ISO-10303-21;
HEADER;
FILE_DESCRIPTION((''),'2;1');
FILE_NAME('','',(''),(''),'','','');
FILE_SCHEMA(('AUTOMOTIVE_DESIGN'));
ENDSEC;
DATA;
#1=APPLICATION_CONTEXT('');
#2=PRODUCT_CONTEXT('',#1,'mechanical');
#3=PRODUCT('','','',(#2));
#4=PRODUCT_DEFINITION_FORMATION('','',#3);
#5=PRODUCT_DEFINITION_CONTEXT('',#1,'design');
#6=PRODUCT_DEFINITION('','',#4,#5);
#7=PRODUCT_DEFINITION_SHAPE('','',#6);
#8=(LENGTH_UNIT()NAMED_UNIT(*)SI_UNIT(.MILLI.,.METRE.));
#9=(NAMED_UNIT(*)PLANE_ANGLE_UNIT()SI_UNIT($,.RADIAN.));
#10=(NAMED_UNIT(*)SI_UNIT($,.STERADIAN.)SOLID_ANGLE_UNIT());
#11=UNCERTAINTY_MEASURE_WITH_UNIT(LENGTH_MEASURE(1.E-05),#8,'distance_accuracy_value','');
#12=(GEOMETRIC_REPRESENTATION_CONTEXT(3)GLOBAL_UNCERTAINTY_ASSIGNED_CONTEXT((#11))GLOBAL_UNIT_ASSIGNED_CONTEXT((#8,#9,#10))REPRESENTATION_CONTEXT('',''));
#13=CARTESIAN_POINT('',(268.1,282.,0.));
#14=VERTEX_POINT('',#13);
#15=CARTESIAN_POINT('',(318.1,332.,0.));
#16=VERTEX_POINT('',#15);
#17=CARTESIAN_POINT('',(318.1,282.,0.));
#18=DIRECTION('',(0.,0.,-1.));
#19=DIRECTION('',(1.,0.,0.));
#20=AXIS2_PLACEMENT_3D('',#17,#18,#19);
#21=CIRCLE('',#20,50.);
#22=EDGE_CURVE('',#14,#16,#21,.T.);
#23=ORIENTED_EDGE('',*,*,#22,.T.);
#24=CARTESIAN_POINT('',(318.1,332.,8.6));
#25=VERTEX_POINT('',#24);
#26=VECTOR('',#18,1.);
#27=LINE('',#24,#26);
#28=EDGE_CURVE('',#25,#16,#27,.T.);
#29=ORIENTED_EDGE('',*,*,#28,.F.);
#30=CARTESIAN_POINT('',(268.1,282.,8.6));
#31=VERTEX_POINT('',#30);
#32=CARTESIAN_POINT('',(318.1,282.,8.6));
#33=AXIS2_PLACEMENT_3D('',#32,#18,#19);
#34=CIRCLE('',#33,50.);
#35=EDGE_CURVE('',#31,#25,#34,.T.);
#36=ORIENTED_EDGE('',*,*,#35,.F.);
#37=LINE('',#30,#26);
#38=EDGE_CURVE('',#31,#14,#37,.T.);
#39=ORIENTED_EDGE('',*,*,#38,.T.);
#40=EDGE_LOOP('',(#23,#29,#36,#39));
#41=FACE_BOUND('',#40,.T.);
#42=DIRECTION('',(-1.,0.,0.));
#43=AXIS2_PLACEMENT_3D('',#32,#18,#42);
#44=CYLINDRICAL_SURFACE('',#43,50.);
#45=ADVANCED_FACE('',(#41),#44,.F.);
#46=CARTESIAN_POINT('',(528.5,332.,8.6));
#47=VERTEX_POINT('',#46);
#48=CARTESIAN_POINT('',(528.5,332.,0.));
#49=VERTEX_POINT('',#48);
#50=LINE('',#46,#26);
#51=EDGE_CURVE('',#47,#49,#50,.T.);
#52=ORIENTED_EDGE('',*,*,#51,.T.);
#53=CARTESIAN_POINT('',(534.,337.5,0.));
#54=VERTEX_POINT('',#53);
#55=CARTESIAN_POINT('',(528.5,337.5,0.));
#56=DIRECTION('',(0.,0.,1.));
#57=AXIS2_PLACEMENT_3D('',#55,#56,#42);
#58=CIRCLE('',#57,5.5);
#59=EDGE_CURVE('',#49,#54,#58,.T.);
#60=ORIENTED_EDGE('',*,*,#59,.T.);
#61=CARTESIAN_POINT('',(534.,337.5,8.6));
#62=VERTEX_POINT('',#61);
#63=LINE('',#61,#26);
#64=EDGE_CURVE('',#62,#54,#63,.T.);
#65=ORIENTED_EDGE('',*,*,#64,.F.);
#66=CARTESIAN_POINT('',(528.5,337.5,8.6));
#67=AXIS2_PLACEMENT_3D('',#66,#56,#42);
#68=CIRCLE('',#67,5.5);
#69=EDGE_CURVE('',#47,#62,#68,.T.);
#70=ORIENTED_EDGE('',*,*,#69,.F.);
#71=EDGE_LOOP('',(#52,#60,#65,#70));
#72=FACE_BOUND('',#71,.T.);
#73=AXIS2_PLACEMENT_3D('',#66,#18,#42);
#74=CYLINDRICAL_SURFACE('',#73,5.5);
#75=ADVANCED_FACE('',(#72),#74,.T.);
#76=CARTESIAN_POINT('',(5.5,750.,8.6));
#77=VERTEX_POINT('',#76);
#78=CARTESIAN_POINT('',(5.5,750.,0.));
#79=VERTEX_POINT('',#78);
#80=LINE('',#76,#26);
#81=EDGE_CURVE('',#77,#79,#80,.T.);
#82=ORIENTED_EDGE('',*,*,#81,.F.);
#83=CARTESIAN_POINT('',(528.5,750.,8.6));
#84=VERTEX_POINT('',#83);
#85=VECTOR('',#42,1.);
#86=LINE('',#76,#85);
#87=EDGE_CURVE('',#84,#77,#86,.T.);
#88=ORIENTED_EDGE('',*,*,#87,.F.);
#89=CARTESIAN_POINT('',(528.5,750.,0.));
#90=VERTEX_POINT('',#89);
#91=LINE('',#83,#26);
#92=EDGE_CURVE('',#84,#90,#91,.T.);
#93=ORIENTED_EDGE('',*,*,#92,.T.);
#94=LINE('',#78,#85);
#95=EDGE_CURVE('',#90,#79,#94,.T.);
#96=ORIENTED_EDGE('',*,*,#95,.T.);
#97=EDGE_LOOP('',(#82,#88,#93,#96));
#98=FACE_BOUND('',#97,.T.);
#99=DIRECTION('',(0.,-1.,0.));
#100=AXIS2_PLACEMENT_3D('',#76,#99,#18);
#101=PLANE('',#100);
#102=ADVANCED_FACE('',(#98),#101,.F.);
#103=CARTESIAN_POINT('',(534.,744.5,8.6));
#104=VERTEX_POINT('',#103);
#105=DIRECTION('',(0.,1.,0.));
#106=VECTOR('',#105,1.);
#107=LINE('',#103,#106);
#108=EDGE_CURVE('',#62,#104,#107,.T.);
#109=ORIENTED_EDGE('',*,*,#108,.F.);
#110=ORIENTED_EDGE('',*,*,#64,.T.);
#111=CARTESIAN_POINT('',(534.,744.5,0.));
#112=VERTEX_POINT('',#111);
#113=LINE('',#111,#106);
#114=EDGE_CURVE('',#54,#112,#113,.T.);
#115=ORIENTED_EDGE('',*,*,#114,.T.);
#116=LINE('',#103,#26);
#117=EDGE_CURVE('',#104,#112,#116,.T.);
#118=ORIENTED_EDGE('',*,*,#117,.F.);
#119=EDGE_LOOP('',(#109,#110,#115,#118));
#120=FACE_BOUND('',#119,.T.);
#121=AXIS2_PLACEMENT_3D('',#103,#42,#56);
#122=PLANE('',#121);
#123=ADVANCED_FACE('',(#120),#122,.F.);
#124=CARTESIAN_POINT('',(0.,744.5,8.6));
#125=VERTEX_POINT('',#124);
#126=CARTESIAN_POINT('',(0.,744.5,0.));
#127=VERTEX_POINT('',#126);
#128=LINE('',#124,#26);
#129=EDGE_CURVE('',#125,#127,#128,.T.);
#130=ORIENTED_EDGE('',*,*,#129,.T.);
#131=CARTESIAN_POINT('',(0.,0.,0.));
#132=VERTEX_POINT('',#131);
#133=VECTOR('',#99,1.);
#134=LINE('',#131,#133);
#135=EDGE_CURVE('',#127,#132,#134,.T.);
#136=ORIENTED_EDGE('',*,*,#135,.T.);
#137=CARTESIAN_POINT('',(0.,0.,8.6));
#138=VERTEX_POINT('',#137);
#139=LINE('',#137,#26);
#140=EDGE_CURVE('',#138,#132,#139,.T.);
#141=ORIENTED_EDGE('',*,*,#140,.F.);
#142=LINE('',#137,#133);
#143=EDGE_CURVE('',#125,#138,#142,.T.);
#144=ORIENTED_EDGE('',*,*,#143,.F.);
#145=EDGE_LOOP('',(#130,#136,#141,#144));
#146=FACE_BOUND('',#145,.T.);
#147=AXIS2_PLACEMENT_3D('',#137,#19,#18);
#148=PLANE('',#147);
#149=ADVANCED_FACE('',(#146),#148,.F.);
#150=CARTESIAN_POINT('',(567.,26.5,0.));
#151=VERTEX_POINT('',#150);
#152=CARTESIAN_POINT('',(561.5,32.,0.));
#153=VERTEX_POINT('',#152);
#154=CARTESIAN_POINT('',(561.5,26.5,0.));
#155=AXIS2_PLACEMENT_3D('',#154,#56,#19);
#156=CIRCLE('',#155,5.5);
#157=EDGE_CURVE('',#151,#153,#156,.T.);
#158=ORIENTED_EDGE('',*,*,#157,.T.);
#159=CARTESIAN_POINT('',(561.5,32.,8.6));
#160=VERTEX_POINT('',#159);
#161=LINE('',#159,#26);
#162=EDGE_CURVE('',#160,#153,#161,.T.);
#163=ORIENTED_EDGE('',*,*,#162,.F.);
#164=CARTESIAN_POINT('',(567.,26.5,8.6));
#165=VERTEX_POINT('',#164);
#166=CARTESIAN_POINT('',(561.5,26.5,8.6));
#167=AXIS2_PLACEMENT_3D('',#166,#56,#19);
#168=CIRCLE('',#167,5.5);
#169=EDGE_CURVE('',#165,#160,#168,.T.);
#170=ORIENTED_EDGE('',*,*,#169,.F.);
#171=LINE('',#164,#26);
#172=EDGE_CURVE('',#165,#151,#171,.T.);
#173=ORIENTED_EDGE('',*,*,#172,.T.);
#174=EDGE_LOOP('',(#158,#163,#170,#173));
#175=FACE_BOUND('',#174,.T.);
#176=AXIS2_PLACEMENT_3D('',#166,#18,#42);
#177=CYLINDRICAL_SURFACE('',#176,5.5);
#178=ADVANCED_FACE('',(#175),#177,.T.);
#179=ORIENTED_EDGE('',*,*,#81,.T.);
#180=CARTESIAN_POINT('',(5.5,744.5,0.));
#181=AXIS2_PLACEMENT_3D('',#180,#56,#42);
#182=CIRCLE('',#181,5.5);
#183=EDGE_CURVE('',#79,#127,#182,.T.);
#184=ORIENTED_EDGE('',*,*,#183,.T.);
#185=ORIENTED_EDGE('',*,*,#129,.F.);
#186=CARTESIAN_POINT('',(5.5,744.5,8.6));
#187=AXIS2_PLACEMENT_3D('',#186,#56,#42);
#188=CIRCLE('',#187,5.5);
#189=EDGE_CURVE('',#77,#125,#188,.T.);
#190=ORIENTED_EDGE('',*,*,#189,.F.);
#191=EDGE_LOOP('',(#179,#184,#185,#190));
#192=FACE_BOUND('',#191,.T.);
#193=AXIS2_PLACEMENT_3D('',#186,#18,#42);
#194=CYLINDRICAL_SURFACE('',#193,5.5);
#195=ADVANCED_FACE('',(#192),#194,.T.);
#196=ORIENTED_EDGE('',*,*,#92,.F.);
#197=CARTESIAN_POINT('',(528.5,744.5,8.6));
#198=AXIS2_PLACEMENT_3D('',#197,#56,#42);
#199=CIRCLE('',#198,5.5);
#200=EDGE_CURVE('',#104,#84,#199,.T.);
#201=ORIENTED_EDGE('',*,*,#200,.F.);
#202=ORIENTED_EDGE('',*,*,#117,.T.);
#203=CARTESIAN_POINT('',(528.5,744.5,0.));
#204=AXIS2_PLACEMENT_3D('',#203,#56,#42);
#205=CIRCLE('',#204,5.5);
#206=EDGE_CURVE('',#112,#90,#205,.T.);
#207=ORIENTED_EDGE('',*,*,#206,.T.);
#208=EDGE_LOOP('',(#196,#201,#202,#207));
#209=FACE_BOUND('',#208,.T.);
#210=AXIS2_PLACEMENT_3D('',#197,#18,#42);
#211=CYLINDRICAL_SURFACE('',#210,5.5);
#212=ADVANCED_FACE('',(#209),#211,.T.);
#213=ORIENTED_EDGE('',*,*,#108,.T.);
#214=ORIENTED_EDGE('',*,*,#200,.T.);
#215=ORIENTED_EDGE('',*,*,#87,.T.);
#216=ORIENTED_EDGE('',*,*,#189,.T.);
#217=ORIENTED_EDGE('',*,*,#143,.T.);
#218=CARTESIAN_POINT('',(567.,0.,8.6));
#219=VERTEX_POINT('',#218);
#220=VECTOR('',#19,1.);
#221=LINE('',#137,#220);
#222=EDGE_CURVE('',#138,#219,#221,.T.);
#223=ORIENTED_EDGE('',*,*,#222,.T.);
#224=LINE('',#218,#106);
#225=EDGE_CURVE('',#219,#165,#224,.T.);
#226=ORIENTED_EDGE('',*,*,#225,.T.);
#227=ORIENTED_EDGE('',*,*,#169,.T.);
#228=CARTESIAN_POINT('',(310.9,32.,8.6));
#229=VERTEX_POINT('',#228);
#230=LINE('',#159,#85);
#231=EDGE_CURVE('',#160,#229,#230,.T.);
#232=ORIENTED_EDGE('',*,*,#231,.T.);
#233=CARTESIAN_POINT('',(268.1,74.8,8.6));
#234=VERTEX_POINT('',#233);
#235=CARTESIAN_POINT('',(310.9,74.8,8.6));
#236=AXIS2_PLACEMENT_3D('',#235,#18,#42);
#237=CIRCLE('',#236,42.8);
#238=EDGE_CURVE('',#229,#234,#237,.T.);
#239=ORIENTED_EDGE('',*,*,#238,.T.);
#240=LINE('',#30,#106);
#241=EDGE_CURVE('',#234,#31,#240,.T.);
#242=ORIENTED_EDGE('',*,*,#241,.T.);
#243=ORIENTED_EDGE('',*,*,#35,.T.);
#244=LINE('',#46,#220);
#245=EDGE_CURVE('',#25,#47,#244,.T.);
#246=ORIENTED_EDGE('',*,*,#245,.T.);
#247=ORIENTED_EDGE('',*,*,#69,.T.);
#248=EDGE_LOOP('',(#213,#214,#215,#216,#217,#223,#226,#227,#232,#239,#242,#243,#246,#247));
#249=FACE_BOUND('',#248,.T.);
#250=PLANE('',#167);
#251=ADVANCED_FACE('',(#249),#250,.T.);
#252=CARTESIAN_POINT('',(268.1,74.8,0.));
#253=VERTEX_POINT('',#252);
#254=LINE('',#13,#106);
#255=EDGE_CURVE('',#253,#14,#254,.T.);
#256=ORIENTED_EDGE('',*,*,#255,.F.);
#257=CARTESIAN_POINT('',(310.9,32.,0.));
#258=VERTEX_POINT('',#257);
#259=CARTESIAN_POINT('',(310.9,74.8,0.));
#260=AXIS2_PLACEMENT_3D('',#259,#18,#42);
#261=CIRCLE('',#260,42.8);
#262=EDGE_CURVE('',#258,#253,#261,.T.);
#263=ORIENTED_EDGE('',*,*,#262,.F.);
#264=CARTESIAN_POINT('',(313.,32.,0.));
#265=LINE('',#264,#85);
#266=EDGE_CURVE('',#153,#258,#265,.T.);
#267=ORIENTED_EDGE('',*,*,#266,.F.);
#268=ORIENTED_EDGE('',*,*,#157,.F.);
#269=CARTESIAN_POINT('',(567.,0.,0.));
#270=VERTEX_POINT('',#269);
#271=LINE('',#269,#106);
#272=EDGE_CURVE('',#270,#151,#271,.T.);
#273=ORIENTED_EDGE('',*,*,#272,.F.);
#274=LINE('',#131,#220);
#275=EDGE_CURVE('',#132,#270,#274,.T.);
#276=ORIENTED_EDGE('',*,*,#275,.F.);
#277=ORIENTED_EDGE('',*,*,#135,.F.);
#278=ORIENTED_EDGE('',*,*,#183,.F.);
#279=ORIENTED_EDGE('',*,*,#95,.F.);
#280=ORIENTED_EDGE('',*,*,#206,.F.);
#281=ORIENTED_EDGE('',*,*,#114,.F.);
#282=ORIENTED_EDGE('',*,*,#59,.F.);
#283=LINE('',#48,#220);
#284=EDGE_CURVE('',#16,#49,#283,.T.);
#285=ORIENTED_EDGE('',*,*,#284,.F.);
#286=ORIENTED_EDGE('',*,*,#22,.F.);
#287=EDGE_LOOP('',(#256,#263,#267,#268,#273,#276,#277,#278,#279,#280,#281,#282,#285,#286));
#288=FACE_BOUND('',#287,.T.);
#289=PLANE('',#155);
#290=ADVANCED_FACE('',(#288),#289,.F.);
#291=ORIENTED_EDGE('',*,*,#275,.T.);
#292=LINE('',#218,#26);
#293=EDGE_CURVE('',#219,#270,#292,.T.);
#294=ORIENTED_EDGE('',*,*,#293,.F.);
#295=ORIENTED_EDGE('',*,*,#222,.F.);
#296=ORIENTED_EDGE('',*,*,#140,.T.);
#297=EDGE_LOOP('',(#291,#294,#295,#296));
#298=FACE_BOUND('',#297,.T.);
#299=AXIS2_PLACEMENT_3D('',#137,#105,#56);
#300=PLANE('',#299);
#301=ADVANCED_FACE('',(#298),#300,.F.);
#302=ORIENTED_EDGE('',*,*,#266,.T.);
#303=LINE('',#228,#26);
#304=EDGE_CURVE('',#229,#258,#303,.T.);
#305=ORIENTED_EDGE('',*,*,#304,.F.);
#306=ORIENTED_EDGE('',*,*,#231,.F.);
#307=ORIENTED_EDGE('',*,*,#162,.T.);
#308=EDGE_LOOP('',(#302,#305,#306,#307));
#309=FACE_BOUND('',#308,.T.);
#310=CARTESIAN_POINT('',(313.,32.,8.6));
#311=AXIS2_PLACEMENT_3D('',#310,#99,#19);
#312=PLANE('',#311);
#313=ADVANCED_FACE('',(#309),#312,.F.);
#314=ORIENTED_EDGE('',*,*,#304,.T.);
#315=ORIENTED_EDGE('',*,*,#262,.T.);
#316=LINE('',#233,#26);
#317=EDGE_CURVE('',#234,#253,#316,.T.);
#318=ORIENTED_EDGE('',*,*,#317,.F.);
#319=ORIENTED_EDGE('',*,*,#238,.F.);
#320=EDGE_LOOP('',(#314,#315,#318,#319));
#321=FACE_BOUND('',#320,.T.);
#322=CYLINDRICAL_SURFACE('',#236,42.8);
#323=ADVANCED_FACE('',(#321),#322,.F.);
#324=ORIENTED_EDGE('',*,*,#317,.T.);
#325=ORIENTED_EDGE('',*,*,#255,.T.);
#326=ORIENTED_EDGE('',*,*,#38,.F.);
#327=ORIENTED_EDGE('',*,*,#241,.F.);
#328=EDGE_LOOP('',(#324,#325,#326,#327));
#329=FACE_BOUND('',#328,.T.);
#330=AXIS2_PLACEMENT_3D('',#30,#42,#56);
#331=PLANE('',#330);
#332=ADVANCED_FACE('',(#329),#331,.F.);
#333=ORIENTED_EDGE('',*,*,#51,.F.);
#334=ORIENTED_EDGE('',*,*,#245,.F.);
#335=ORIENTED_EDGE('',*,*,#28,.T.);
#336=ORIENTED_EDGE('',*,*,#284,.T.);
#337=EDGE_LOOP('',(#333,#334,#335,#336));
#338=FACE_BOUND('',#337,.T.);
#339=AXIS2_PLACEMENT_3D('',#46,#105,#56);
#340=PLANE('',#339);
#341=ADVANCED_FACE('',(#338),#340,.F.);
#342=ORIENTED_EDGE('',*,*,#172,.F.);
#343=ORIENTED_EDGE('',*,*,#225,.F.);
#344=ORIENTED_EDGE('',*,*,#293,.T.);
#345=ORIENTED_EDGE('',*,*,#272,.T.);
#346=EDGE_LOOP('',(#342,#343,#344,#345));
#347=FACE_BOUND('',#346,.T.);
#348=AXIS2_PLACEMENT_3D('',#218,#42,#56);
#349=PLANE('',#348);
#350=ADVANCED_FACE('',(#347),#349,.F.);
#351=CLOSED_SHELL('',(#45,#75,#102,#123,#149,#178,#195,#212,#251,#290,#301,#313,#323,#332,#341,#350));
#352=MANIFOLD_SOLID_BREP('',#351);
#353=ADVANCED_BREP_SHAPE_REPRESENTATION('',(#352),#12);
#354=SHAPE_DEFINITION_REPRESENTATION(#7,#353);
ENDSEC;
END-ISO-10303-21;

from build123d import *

# Parameters (mm, degrees)
BOSS_EXTRUDE1_DEPTH = 8.6


with BuildPart() as part:
    # Sketch1 → Boss-Extrude1 (new body)
    with BuildSketch(Plane.XY):
        with BuildLine():
            Line((0, 0), (0, 744.5))
            ThreePointArc((0, 744.5), (1.610912703, 748.389087297), (5.5, 750))
            Line((5.5, 750), (528.5, 750))
            ThreePointArc((528.5, 750), (532.389087297, 748.389087297), (534, 744.5))
            Line((534, 744.5), (534, 337.5))
            ThreePointArc((534, 337.5), (532.389087297, 333.610912703), (528.5, 332))
            Line((528.5, 332), (318.1, 332))
            ThreePointArc((318.1, 332), (282.744660941, 317.355339059), (268.1, 282))
            Line((268.1, 282), (268.1, 74.8))
            ThreePointArc((268.1, 74.8), (280.635829765, 44.535829765), (310.9, 32))
            Line((310.9, 32), (313, 32))
            Line((313, 32), (561.5, 32))
            ThreePointArc((561.5, 32), (565.389087297, 30.389087297), (567, 26.5))
            Line((567, 26.5), (567, 0))
            Line((567, 0), (0, 0))
        make_face()
    extrude(amount=BOSS_EXTRUDE1_DEPTH)


solid = part.part
